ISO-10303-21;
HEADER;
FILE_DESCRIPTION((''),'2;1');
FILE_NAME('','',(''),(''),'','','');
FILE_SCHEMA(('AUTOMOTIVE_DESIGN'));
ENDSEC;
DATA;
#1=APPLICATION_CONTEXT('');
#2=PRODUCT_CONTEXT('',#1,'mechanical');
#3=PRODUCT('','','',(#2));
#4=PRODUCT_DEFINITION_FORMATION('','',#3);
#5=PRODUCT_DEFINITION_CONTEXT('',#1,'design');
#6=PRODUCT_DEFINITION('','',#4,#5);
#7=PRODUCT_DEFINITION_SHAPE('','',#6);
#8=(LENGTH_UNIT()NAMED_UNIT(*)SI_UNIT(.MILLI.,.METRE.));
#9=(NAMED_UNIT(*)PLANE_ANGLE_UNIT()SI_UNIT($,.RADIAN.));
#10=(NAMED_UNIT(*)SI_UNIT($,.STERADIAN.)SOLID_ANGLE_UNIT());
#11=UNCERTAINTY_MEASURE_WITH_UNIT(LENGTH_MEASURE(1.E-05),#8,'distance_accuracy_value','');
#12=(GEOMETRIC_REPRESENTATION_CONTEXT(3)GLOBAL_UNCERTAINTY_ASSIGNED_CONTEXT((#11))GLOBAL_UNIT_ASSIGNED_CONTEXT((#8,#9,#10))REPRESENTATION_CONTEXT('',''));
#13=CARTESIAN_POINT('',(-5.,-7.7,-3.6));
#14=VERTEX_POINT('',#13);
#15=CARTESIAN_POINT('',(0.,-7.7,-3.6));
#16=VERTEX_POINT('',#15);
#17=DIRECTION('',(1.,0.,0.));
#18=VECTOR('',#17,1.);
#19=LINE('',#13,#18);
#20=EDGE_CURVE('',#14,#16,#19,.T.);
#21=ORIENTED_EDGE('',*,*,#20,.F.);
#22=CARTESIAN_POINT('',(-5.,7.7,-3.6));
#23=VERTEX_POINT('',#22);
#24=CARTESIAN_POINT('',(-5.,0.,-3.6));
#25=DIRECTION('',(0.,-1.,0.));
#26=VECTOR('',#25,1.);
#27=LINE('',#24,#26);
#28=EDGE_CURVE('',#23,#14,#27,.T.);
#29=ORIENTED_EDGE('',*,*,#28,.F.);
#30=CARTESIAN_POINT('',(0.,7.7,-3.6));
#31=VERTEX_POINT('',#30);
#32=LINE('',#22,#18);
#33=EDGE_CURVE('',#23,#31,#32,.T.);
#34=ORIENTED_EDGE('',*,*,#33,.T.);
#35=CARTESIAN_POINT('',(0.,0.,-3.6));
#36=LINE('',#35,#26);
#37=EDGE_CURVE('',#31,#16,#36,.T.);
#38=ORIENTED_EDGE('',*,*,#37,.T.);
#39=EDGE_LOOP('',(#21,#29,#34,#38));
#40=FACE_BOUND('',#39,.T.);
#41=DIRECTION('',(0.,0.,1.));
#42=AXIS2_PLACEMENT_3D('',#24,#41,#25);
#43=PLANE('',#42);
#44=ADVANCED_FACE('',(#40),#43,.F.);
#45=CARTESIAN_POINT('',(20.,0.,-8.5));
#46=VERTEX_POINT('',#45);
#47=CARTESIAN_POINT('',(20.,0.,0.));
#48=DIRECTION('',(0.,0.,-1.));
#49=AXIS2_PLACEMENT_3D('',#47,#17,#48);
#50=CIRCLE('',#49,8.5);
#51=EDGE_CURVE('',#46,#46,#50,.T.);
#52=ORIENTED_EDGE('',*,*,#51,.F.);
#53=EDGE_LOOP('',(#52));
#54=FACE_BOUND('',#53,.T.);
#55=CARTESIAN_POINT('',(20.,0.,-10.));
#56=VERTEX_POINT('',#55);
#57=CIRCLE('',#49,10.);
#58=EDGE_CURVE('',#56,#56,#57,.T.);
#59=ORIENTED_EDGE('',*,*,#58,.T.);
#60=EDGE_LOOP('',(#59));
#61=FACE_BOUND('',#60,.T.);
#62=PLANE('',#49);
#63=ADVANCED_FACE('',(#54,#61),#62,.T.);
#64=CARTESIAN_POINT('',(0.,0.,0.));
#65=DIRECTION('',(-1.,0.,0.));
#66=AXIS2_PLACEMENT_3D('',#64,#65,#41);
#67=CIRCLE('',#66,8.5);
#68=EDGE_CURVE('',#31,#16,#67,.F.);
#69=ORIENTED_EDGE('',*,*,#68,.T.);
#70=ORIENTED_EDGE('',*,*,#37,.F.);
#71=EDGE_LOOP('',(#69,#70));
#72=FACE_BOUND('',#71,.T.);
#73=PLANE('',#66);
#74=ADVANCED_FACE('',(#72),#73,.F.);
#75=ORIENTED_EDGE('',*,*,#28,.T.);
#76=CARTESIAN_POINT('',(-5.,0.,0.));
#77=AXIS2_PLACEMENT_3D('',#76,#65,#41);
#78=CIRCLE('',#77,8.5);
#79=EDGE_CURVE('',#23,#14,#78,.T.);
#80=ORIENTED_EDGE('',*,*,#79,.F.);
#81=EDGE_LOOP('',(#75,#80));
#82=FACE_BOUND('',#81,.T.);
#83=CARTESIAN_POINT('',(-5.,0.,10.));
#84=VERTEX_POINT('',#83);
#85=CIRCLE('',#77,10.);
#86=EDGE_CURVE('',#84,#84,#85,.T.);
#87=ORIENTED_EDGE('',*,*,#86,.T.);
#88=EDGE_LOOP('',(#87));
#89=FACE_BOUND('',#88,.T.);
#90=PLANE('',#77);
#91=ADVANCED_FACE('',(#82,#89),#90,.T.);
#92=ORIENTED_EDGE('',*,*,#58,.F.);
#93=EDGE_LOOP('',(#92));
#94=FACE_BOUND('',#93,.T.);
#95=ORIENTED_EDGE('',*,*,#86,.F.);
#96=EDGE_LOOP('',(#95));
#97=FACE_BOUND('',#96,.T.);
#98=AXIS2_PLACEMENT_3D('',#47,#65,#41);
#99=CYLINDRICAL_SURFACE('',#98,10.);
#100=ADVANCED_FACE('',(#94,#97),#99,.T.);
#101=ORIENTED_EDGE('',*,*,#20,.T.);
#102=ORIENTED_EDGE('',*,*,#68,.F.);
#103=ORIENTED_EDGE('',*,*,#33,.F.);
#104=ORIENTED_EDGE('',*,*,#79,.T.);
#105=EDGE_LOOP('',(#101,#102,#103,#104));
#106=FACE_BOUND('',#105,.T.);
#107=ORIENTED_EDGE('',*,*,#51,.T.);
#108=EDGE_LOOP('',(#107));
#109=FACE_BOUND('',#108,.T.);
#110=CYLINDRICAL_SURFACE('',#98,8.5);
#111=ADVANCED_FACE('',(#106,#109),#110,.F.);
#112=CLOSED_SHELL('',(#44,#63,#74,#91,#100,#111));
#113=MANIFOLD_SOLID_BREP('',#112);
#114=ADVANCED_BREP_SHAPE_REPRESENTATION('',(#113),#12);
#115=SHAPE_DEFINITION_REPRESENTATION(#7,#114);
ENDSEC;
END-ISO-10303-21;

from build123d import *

# Parameters (mm, degrees)
SKETCH_1_R      = 10
SKETCH_1_R_2    = 8.5
EXTRUDE_1_DEPTH = 20
EXTRUDE_7_DEPTH = 5
EXTRUDE_START   = 5
SKETCH_4_R      = 10
SKETCH_4_R_2    = 8.5
EXTRUDE_8_DEPTH = 5


with BuildPart() as part:
    # 草圖1 → 填料-伸長1 (new body)
    with BuildSketch(Plane(origin=(0, 0, 0), x_dir=(0, 0, -1), z_dir=(1, 0, 0))):
        Circle(SKETCH_1_R)
        Circle(SKETCH_1_R_2, mode=Mode.SUBTRACT)
    extrude(amount=EXTRUDE_1_DEPTH)



with BuildPart() as body_2:
    # 草圖2 → 填料-伸長7 (new body)
    with BuildSketch(Plane.ZY):
        with BuildLine():
            ThreePointArc((8.5, 0), (4.563441684, 7.171122646), (-3.6, 7.7))
            Line((-3.6, 7.7), (-3.6, 0))
            Line((-3.6, 0), (-3.6, -7.7))
            ThreePointArc((-3.6, -7.7), (4.563441684, -7.171122646), (8.5, 0))
        make_face()
    extrude(amount=EXTRUDE_7_DEPTH)


with BuildPart() as part_1:
    add(part.part)

    add(body_2.part)  # 填料-伸長8 merges body 2
    # 草圖4 → 填料-伸長8 (add)
    with BuildSketch(Plane.ZY.offset(EXTRUDE_START)):
        Circle(SKETCH_4_R)
        with Locations(Location((0, 0, 0), (0, 0, 244.942384582))):
            Circle(SKETCH_4_R_2, mode=Mode.SUBTRACT)
    extrude(amount=-EXTRUDE_8_DEPTH)


solid = part_1.part
